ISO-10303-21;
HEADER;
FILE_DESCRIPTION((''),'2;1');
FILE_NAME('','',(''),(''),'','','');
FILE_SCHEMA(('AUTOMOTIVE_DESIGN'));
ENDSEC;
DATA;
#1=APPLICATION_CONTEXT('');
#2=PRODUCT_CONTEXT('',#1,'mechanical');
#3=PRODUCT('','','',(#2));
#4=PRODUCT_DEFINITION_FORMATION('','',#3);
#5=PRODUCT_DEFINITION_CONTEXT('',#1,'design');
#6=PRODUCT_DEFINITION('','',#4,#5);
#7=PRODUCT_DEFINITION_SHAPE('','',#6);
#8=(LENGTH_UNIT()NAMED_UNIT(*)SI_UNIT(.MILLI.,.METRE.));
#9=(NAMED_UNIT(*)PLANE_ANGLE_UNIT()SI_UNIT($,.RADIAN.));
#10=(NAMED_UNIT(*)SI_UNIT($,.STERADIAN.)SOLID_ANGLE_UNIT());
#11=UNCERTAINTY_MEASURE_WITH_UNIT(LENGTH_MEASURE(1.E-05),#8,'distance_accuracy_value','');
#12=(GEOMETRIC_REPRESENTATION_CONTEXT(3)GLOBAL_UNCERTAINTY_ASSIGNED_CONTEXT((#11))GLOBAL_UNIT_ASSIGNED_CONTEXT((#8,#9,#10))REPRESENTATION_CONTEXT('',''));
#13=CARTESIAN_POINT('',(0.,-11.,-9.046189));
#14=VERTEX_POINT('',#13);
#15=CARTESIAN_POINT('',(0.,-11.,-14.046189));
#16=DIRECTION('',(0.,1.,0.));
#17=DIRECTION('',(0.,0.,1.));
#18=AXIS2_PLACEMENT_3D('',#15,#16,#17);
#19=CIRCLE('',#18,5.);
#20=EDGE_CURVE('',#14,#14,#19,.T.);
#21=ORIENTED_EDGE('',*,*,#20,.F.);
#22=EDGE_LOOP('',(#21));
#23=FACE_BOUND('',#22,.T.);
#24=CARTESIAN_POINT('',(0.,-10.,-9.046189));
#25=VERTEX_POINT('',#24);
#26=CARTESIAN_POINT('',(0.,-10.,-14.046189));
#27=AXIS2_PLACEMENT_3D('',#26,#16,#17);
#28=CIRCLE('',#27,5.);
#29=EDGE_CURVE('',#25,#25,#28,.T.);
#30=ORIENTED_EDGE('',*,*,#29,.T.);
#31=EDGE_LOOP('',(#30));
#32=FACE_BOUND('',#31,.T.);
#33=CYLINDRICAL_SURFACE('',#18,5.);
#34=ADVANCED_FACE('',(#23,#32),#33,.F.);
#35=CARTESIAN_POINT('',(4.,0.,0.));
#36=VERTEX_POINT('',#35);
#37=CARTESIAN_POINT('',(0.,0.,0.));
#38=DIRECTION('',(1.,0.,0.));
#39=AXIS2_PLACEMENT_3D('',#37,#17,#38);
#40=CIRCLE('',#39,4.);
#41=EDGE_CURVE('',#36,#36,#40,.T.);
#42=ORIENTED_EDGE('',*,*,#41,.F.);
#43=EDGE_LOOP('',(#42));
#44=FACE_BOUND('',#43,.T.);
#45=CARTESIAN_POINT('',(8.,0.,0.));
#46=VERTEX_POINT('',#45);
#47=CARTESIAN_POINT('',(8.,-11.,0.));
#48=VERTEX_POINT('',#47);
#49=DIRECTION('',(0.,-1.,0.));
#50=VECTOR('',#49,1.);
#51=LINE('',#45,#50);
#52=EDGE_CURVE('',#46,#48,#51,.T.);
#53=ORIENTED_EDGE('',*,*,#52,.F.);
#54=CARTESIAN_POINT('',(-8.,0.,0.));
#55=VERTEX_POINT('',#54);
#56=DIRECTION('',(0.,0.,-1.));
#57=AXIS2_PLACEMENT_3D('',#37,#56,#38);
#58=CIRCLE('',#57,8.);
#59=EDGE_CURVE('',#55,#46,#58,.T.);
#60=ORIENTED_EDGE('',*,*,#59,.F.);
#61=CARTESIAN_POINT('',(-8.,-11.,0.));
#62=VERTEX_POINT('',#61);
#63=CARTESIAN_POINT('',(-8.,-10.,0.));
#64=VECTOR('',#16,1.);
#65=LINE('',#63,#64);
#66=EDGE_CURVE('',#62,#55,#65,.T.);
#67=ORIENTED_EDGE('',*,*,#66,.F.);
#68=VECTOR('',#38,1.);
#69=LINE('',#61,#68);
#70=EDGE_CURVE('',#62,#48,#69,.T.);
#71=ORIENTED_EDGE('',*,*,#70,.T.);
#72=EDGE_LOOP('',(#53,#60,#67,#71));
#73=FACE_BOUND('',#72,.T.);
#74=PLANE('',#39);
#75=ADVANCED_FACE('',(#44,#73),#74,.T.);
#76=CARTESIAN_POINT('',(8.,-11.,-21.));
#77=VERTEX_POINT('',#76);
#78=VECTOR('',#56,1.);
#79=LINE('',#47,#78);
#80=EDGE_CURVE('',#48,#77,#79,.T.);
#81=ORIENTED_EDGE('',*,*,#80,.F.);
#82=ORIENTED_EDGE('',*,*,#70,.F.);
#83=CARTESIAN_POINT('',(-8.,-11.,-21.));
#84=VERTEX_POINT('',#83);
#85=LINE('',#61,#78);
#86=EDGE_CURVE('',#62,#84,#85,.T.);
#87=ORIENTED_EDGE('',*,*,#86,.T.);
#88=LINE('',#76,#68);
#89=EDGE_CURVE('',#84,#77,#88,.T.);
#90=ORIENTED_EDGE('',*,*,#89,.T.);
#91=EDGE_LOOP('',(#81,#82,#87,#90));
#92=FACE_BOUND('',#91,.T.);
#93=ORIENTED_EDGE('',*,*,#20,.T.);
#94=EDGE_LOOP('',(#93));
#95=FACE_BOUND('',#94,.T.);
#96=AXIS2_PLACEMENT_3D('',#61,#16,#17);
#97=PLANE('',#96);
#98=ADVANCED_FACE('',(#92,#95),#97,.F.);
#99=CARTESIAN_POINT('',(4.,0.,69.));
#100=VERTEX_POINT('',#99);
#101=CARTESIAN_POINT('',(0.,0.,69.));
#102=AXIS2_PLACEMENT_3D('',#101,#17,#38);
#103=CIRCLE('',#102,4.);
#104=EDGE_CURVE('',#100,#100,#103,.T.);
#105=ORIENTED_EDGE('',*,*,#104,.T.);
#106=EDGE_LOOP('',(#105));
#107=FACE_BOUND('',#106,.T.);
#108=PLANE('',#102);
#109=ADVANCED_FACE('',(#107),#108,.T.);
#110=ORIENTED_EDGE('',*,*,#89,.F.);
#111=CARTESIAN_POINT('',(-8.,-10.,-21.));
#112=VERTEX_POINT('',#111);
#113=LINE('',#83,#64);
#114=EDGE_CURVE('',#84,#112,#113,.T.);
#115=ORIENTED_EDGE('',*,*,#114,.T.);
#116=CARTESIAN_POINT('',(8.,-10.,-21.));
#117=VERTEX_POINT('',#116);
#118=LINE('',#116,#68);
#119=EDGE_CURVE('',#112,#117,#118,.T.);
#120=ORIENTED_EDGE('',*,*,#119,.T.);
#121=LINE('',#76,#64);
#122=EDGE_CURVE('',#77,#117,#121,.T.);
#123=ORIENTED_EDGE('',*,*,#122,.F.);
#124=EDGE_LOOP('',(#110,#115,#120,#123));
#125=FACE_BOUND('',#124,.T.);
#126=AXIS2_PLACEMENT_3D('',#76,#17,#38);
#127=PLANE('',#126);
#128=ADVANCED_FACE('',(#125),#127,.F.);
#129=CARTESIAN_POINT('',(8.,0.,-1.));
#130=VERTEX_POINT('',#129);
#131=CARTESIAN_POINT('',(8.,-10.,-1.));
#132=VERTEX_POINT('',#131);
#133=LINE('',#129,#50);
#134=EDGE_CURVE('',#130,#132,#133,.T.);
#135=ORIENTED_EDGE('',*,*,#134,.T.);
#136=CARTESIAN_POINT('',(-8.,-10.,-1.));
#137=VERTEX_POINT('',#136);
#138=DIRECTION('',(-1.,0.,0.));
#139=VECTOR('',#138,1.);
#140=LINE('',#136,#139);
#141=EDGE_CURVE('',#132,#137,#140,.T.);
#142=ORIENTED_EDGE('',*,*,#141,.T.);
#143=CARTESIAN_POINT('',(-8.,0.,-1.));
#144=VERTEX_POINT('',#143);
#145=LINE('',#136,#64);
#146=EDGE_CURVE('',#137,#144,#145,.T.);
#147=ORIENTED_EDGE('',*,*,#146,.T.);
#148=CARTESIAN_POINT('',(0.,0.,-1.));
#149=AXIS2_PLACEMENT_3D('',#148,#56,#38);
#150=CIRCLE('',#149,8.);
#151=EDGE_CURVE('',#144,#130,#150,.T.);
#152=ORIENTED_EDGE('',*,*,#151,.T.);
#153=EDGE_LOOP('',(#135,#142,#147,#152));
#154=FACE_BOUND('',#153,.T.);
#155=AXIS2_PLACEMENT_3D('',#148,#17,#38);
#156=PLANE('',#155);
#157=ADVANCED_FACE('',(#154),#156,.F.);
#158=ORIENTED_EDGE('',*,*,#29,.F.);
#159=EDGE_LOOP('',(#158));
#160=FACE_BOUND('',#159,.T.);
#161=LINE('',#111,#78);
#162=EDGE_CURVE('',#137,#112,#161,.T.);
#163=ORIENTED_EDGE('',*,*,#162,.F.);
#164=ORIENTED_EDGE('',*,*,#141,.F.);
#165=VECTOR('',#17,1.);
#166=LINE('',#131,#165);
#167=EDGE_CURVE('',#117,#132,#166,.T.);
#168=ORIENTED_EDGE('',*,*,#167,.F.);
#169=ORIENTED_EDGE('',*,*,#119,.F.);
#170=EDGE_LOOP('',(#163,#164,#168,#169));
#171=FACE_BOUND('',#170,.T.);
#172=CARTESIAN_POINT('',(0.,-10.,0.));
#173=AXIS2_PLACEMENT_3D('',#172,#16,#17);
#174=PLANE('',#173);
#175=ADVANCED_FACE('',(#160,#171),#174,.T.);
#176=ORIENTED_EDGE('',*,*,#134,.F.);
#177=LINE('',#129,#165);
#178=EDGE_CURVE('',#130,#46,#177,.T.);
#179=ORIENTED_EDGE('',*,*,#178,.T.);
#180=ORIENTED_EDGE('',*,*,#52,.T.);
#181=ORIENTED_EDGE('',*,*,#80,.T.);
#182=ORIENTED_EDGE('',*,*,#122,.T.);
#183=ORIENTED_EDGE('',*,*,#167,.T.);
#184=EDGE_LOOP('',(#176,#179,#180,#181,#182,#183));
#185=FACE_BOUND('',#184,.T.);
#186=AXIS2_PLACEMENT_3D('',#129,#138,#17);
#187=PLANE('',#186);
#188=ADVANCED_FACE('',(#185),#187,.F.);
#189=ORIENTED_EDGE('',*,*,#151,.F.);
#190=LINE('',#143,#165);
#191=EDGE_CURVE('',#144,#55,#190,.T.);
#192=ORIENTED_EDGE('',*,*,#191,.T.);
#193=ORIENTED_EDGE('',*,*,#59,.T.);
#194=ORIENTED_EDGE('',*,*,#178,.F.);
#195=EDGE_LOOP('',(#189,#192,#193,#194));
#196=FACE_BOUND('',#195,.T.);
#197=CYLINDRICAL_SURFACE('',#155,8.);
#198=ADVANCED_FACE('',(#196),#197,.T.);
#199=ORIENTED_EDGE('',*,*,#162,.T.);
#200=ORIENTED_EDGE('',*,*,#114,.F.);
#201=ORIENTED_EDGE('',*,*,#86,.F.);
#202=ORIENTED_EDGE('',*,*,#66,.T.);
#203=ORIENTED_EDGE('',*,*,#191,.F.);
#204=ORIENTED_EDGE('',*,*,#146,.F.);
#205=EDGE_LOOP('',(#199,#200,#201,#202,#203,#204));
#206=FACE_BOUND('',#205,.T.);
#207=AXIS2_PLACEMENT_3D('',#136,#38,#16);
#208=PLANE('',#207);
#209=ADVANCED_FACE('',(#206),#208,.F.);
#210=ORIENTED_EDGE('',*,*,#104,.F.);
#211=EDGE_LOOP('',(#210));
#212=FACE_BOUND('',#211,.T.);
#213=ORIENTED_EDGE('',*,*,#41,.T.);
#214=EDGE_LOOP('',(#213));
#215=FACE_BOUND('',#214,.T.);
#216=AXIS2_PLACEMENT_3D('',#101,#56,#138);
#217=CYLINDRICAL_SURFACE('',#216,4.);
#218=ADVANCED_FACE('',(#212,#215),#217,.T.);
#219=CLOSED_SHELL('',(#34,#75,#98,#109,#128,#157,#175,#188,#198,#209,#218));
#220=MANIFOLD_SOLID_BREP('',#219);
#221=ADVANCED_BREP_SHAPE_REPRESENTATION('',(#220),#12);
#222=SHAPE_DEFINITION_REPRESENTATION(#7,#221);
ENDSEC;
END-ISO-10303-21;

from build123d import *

# Parameters (mm, degrees)
SKETCH1_R           = 4
BOSS_EXTRUDE1_DEPTH = 69
BOSS_EXTRUDE2_DEPTH = 1
SKETCH3_W           = 16
SKETCH3_H           = 20
BOSS_EXTRUDE3_DEPTH = 1
SKETCH4_W           = 16
SKETCH4_H           = 1
BOSS_EXTRUDE4_DEPTH = 1
SKETCH5_R           = 5
CUT_EXTRUDE1_DEPTH  = 1


with BuildPart() as part:
    # Sketch1 → Boss-Extrude1 (new body)
    with BuildSketch(Plane.XY):
        Circle(SKETCH1_R)
    extrude(amount=BOSS_EXTRUDE1_DEPTH)

    # Sketch2 → Boss-Extrude2 (add)
    with BuildSketch(Plane(origin=(0, 0, 0), x_dir=(-1, 0, 0), z_dir=(0, 0, -1))):
        with BuildLine():
            Line((-8, 0), (-8, -10))
            Line((-8, -10), (8, -10))
            Line((8, -10), (8, 0))
            ThreePointArc((8, 0), (0, 8), (-8, 0))
        make_face()
    extrude(amount=BOSS_EXTRUDE2_DEPTH)



with BuildPart() as body_2:
    # Sketch3 → Boss-Extrude3 (new body)
    with BuildSketch(Plane.XZ.offset(10)):
        with Locations((0, -11)):
            Rectangle(SKETCH3_W, SKETCH3_H)
    extrude(amount=BOSS_EXTRUDE3_DEPTH)


with BuildPart() as part_1:
    add(part.part)

    add(body_2.part)  # Boss-Extrude4 merges body 2
    # Sketch4 → Boss-Extrude4 (add)
    with BuildSketch(Plane.XY.offset(-1)):
        with Locations((0, -10.5)):
            Rectangle(SKETCH4_W, SKETCH4_H)
    extrude(amount=BOSS_EXTRUDE4_DEPTH)

    # Sketch5 → Cut-Extrude1 (cut)
    with BuildSketch(Plane(origin=(0, -10, 0), x_dir=(1, 0, 0), z_dir=(0, 1, 0))):
        with Locations((0, 14.046188681)):
            Circle(SKETCH5_R)
    extrude(amount=-CUT_EXTRUDE1_DEPTH, mode=Mode.SUBTRACT)


solid = part_1.part
